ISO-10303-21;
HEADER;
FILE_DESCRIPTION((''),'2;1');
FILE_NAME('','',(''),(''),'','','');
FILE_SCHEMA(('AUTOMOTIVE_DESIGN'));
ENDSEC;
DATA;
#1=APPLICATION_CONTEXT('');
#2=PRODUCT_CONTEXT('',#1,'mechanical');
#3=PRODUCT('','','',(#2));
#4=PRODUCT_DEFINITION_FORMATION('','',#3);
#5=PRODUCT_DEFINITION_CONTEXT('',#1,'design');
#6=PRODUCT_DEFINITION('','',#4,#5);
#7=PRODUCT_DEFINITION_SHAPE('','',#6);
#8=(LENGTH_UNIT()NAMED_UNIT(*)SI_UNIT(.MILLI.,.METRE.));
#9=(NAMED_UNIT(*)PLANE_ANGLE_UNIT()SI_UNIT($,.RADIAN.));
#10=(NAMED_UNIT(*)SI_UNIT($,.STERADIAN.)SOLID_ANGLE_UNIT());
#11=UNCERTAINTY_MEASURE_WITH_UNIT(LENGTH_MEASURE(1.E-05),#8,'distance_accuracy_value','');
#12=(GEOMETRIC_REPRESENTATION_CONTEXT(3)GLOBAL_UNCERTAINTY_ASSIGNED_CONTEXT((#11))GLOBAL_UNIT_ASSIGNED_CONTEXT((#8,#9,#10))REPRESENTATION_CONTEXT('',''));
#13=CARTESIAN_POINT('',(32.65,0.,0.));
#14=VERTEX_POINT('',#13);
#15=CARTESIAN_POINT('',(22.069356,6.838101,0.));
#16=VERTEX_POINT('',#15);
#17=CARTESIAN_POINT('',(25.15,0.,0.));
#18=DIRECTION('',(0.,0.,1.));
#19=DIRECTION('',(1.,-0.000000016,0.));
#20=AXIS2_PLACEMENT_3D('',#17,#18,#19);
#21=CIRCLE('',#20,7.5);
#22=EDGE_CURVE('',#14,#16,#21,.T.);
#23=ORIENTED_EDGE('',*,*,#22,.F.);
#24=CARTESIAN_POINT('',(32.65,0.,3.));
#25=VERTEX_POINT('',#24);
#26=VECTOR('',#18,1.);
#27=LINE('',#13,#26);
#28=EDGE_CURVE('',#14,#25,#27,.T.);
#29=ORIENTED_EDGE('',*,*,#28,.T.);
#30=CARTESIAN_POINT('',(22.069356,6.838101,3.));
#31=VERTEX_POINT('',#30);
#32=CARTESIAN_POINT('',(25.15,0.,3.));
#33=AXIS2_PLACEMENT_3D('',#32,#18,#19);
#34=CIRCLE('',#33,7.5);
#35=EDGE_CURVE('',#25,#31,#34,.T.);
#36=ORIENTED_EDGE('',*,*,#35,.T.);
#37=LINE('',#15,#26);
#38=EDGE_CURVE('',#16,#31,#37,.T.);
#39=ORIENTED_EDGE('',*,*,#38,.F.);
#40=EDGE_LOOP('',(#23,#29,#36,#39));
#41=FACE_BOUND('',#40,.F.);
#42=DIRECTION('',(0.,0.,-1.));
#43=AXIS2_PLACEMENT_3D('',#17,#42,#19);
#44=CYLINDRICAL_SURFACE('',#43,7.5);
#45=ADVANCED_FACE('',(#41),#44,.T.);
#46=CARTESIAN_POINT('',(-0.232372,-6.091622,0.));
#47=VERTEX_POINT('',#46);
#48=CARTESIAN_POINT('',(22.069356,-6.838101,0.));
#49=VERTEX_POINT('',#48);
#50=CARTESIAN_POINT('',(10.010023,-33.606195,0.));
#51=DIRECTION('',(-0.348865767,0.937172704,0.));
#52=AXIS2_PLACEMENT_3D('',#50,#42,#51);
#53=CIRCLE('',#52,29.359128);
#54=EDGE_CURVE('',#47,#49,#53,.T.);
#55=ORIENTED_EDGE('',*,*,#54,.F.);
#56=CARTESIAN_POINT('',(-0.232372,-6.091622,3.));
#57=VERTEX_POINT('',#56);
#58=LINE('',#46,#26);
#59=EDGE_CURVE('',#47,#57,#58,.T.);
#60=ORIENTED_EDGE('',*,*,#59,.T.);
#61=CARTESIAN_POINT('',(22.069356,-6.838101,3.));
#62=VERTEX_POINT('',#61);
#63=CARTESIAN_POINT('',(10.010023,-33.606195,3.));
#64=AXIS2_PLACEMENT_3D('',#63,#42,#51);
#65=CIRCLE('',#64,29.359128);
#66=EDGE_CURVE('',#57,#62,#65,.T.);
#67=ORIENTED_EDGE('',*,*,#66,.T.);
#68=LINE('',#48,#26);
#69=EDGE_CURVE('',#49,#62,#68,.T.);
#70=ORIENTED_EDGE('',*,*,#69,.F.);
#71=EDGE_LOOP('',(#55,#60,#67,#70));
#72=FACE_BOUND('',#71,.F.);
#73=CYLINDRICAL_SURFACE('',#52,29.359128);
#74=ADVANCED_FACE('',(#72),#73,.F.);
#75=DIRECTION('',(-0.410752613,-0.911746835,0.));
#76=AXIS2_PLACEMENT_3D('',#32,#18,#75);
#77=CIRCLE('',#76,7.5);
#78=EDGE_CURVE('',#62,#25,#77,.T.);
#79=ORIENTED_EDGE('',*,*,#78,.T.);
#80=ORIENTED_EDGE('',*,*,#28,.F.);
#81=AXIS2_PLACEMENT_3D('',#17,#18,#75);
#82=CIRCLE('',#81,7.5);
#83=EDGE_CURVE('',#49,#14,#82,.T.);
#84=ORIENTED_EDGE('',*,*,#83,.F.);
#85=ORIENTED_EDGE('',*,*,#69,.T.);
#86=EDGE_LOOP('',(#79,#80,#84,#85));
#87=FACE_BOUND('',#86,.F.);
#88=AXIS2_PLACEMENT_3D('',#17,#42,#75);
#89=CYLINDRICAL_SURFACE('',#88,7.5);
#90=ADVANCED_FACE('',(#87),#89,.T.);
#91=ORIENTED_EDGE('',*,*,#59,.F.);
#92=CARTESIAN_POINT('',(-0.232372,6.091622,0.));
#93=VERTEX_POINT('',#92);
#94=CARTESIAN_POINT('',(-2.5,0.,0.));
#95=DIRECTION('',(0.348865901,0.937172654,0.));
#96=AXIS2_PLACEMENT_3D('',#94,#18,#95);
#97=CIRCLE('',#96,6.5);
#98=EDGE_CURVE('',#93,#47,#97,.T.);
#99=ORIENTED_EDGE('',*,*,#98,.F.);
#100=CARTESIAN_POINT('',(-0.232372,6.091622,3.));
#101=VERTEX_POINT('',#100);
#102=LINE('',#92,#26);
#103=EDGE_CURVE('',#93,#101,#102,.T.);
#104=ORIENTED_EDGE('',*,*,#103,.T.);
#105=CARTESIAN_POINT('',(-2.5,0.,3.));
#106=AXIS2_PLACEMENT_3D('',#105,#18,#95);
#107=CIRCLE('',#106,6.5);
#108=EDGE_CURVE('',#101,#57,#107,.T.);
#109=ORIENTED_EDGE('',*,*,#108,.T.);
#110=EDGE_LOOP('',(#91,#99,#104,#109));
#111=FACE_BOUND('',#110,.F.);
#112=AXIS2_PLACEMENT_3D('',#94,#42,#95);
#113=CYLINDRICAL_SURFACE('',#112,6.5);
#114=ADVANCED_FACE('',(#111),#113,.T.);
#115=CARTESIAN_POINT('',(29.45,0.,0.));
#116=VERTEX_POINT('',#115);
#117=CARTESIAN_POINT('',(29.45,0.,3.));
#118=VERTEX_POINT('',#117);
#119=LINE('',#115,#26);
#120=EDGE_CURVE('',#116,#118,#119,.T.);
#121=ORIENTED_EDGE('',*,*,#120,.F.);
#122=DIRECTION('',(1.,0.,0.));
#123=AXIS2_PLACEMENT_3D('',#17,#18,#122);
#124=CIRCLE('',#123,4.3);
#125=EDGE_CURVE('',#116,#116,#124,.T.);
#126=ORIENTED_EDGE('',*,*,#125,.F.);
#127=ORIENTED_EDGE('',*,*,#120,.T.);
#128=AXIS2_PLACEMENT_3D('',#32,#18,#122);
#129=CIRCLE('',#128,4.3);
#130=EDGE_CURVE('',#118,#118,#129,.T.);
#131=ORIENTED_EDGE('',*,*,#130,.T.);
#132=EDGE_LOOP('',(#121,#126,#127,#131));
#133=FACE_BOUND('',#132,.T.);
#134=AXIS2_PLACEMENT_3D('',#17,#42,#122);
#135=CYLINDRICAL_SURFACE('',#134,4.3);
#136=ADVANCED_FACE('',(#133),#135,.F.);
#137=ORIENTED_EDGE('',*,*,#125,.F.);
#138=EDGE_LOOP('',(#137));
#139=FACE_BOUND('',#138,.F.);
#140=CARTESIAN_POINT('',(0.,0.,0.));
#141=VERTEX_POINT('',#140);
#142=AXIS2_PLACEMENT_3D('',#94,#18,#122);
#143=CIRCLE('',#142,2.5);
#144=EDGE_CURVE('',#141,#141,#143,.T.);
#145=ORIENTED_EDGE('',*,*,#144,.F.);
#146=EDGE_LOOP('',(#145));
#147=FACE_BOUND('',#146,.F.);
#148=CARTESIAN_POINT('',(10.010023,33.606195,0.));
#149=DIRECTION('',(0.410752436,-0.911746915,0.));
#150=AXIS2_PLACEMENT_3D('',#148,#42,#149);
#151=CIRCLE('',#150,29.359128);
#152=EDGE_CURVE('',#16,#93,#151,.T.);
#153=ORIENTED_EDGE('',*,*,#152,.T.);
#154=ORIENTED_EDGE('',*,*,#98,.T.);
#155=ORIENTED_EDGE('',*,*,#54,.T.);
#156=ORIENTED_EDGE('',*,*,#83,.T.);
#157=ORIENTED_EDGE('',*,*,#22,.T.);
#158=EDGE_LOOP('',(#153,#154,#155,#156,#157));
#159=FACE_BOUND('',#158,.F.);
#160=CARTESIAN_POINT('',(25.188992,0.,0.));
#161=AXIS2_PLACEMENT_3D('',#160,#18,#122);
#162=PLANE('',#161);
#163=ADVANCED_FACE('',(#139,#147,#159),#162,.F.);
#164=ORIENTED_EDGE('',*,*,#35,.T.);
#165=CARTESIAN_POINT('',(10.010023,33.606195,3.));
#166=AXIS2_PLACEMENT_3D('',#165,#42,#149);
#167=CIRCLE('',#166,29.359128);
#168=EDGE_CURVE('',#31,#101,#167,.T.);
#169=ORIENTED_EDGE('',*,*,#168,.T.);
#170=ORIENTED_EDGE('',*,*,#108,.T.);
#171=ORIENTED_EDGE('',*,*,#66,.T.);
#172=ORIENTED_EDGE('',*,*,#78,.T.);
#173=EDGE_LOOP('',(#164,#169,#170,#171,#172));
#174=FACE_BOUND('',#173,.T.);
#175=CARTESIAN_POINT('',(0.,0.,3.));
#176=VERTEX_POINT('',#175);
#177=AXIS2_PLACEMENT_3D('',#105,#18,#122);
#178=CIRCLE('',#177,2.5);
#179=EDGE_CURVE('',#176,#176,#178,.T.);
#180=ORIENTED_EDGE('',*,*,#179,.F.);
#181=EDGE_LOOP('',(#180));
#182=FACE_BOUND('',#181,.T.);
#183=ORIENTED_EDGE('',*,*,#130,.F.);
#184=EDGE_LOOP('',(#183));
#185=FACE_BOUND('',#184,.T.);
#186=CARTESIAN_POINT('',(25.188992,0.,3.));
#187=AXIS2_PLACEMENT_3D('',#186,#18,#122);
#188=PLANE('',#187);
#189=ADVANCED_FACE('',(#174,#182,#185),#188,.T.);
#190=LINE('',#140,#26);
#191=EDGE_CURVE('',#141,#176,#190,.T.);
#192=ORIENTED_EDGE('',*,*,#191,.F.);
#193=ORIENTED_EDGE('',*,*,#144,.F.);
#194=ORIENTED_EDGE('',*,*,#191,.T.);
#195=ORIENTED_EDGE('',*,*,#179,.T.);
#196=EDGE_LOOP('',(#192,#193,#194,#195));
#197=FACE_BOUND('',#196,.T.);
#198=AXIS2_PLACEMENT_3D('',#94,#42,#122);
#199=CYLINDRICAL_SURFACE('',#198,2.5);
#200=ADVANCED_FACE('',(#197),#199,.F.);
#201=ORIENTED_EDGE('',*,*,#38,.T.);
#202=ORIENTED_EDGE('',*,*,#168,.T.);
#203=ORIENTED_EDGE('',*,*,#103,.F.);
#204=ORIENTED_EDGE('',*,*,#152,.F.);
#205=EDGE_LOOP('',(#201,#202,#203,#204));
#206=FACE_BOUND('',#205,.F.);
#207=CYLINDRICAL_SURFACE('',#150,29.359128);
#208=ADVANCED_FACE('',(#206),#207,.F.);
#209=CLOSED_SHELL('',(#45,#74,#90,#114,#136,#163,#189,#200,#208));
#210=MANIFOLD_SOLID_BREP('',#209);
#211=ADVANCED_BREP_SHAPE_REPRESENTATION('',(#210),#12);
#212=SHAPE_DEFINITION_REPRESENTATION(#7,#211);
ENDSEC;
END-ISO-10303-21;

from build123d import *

# Parameters (mm, degrees)
F0_R     = 4.3
F0_R_2   = 2.5
F1_DEPTH = 3


with BuildPart() as f1:
    # F0 (on Top) → F1 (new body)
    with BuildSketch(Plane.XY):
        with BuildLine():
            ThreePointArc((22.069356, -6.838101), (29.220944, -6.299001), (32.65, 0))
            ThreePointArc((32.65, 0), (29.220944, 6.299001), (22.069356, 6.838101))
            ThreePointArc((22.069356, 6.838101), (17.65, 0), (22.069356, -6.838101))
        make_face()
        with Locations((25.15, 0)):
            Circle(F0_R, mode=Mode.SUBTRACT)
        with BuildLine():
            ThreePointArc((22.069356, -6.838101), (17.65, 0), (22.069356, 6.838101))
            ThreePointArc((22.069356, 6.838101), (10.992176, 4.2635), (-0.232372, 6.091622))
            ThreePointArc((-0.232372, 6.091622), (2.838051, 3.708801), (4, 0))
            ThreePointArc((4, 0), (2.838051, -3.708801), (-0.232372, -6.091622))
            ThreePointArc((-0.232372, -6.091622), (10.992176, -4.2635), (22.069356, -6.838101))
        make_face()
        with BuildLine():
            ThreePointArc((4, 0), (2.838051, 3.708801), (-0.232372, 6.091622))
            ThreePointArc((-0.232372, 6.091622), (-9, 0), (-0.232372, -6.091622))
            ThreePointArc((-0.232372, -6.091622), (2.838051, -3.708801), (4, 0))
        make_face()
        with Locations((-2.5, 0)):
            Circle(F0_R_2, mode=Mode.SUBTRACT)
    extrude(amount=F1_DEPTH)


solid = f1.part
